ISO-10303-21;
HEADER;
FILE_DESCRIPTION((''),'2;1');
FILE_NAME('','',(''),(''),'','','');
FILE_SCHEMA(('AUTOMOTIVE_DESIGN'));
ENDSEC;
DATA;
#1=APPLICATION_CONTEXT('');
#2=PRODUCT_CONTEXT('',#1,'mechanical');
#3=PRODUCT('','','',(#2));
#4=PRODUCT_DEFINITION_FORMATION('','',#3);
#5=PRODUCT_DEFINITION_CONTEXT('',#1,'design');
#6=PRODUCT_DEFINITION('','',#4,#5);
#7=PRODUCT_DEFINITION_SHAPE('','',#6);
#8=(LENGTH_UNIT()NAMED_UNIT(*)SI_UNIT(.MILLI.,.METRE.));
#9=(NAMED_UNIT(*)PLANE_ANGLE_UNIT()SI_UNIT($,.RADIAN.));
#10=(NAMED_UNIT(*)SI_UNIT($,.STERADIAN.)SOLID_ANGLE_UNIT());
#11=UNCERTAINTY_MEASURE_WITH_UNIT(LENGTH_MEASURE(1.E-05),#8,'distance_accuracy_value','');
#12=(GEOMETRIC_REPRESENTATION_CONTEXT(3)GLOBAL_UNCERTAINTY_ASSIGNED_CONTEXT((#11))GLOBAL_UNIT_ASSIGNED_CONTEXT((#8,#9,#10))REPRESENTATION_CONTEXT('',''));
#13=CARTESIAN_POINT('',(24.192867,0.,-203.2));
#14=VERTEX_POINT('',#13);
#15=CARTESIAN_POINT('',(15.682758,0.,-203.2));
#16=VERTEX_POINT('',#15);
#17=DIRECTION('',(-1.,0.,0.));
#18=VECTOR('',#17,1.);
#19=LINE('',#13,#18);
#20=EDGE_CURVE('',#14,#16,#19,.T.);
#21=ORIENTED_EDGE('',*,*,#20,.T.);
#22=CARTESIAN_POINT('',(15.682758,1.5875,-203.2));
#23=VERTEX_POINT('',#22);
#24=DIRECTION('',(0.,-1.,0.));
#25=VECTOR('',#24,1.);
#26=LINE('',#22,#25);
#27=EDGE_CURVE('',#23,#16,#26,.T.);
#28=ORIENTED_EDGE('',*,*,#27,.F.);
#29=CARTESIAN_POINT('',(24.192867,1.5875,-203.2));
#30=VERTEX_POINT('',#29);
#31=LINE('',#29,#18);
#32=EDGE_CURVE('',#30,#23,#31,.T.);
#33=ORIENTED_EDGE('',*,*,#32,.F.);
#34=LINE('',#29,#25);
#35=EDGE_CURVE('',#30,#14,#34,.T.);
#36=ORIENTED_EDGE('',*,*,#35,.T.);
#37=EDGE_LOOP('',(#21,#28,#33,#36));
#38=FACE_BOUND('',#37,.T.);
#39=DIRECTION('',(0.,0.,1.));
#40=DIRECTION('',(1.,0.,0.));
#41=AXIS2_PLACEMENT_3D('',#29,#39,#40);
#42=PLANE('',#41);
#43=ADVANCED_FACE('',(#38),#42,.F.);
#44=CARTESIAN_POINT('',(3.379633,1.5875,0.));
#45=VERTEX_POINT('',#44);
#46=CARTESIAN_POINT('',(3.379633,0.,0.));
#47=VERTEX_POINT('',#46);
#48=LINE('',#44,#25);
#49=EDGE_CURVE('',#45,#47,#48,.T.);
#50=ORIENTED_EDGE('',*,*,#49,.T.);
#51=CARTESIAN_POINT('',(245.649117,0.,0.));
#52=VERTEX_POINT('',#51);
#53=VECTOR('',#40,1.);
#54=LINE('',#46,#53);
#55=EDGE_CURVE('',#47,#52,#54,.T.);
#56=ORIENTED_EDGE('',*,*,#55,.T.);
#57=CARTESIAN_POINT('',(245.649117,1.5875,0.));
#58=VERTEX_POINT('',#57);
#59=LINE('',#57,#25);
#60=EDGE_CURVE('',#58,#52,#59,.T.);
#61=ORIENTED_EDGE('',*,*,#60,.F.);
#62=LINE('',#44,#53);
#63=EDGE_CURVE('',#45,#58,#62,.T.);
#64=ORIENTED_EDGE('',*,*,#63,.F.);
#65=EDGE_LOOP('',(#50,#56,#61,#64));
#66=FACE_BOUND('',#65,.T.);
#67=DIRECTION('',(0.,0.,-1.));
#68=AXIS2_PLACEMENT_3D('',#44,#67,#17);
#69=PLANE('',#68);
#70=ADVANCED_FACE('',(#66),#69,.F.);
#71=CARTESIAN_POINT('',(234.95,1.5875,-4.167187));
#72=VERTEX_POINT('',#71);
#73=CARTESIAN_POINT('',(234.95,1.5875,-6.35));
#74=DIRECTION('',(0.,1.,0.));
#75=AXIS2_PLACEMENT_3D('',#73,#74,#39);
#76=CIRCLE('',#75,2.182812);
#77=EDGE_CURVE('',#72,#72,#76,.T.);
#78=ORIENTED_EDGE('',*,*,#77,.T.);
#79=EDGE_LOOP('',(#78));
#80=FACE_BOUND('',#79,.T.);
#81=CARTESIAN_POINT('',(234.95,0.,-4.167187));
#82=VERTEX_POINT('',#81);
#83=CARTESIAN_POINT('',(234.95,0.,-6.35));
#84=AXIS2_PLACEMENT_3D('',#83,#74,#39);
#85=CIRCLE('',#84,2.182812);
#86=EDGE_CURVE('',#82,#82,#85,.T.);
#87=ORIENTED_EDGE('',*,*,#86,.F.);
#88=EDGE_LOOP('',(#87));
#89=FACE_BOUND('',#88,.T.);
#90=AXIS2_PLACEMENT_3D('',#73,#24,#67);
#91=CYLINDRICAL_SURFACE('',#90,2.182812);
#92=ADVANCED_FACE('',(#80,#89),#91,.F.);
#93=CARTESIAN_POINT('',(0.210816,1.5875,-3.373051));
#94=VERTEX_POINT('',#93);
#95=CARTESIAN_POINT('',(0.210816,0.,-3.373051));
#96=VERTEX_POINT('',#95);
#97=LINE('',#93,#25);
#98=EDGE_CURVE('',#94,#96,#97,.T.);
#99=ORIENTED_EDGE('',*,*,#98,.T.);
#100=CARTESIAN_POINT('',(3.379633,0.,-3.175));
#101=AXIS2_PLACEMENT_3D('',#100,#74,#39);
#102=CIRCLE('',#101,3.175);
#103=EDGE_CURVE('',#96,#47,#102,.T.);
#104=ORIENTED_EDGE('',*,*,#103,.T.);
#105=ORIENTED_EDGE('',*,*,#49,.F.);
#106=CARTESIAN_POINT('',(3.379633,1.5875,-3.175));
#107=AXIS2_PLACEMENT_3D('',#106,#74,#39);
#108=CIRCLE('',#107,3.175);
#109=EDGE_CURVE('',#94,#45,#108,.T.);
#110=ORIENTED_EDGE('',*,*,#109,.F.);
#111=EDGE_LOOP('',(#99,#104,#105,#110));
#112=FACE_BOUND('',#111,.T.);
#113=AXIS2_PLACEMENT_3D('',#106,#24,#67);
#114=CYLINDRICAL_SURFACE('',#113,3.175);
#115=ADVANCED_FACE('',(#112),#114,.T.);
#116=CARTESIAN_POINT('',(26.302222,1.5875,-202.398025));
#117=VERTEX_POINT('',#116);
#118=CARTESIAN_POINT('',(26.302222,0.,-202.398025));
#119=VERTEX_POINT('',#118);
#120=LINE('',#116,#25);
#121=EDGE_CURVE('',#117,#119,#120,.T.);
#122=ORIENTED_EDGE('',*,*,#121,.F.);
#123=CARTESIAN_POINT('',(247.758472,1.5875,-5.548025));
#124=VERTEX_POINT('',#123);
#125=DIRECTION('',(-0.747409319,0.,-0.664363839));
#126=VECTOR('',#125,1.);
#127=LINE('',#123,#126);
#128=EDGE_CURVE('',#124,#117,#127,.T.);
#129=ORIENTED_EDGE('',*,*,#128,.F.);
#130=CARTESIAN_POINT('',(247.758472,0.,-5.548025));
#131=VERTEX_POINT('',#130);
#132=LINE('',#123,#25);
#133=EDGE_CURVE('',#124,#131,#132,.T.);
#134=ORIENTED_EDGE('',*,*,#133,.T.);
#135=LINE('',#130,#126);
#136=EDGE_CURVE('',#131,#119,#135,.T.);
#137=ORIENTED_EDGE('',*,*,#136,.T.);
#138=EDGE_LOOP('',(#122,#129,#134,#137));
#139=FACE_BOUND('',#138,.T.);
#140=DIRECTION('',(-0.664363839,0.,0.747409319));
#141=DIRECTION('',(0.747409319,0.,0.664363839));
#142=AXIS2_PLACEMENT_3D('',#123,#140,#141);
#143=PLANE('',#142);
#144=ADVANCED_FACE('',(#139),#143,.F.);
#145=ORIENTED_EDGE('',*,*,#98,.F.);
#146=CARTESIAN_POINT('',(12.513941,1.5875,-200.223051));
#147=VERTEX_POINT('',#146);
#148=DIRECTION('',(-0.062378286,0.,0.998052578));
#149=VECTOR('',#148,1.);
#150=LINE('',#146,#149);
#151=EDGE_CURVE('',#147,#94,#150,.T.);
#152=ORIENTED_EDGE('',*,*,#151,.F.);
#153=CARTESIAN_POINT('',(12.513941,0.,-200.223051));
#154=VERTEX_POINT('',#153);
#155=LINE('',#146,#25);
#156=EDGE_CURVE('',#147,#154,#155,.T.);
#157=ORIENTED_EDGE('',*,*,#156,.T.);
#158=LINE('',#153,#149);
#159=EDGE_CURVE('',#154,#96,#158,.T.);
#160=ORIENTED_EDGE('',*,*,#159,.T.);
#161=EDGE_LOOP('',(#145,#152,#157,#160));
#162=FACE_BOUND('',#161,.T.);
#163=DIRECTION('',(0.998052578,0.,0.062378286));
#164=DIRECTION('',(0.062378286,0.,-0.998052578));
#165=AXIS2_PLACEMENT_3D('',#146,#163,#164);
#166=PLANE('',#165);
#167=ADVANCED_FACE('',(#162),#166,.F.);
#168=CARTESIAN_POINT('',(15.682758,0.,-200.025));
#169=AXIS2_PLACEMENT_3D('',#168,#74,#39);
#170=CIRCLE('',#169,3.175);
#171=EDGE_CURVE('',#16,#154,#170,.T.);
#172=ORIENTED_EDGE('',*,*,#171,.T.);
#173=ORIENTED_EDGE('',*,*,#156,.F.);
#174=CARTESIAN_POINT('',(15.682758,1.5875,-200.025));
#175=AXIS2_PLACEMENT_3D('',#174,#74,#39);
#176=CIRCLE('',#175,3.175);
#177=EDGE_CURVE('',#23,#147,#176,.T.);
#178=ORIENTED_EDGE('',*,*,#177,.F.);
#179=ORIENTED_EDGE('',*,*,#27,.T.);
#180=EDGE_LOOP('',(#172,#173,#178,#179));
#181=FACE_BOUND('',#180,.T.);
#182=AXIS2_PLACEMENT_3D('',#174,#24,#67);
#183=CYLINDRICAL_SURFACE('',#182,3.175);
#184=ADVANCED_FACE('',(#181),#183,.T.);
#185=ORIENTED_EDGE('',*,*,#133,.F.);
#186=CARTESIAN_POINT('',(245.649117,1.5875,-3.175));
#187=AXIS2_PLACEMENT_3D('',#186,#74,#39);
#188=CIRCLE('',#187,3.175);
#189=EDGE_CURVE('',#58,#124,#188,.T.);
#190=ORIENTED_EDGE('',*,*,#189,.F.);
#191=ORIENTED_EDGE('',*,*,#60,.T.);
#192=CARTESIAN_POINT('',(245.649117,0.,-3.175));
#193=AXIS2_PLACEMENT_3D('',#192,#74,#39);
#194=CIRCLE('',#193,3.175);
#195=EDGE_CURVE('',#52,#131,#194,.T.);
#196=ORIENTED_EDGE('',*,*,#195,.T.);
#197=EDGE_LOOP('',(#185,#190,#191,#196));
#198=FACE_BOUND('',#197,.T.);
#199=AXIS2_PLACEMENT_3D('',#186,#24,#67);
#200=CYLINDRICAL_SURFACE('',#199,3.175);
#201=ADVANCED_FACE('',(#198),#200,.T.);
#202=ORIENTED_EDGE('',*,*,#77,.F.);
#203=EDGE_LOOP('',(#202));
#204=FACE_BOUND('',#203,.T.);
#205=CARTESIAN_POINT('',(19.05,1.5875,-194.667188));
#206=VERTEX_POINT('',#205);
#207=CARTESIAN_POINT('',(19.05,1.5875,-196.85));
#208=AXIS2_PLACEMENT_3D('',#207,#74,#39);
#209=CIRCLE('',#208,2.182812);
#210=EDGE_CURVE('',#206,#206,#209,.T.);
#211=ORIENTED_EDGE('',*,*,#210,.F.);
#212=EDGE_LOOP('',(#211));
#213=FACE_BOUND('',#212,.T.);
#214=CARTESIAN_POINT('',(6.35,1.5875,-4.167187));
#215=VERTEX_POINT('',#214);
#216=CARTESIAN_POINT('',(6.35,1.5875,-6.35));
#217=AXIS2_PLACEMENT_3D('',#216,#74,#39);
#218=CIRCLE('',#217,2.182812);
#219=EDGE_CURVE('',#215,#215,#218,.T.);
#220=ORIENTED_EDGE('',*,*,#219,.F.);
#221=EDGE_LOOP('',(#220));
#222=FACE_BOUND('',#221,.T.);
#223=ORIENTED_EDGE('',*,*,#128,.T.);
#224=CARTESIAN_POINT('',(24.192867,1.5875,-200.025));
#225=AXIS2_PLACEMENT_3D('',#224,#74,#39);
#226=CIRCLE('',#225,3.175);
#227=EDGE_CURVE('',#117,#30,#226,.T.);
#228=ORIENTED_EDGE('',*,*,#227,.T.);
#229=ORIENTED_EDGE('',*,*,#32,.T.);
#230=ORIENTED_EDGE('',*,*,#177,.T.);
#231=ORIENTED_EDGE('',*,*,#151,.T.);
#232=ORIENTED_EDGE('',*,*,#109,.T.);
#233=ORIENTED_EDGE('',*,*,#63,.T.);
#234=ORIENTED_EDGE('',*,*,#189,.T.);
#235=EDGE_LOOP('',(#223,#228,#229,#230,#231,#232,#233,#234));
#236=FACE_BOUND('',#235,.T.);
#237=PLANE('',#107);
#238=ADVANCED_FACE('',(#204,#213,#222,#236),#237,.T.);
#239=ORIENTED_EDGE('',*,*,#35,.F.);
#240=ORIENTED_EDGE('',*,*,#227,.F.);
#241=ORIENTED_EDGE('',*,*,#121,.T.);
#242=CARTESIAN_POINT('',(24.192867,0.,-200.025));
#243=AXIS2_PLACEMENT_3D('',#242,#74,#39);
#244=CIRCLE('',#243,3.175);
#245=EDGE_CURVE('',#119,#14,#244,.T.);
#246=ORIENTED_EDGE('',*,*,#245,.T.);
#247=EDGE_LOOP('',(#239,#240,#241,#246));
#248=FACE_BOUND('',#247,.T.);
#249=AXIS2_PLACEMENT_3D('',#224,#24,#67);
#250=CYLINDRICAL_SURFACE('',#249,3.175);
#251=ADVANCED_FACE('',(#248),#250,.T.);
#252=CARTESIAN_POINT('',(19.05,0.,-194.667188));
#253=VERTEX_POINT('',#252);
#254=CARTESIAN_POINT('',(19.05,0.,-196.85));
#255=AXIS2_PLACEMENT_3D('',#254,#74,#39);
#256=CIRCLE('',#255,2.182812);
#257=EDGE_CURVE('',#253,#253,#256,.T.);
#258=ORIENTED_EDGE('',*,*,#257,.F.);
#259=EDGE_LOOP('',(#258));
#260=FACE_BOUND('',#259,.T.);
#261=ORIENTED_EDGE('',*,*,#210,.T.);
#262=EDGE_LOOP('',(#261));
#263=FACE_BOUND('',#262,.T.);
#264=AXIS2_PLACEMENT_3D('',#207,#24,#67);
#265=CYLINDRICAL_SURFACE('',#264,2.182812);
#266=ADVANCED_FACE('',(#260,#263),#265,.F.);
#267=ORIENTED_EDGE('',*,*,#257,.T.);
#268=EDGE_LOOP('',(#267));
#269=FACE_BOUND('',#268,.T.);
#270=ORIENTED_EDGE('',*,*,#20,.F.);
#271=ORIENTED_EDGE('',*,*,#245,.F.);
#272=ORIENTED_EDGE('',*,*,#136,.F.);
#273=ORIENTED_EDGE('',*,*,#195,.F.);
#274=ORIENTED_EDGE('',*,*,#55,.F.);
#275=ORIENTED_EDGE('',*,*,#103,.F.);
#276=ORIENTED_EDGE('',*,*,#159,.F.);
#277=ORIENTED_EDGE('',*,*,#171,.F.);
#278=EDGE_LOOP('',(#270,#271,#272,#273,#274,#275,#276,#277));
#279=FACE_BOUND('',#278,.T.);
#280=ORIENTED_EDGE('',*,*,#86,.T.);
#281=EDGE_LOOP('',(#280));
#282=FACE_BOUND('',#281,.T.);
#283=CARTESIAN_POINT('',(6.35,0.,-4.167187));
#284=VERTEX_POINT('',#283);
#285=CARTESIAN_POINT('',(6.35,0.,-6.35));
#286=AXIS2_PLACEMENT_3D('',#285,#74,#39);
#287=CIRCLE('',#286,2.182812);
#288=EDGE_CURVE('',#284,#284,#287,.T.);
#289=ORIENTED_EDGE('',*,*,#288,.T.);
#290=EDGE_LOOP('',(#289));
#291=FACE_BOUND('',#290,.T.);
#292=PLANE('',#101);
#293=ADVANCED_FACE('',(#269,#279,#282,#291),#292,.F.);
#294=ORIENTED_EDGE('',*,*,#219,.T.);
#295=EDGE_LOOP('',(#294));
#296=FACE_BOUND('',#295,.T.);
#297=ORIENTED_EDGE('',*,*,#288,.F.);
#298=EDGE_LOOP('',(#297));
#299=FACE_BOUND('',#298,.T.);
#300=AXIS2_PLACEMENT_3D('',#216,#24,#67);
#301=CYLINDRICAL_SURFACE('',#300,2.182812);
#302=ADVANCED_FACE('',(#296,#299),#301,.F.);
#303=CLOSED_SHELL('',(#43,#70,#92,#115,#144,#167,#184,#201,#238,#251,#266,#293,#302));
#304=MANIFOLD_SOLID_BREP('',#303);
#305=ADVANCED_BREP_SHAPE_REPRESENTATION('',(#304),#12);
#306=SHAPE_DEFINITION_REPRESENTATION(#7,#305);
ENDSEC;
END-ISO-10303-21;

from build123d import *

# Parameters (mm, degrees)
SKETCH1_R           = 2.1828125
BOSS_EXTRUDE1_DEPTH = 1.5875


with BuildPart() as part:
    # Sketch1 → Boss-Extrude1 (new body)
    with BuildSketch(Plane(origin=(0, 0, 0), x_dir=(1, 0, 0), z_dir=(0, 1, 0))):
        with BuildLine():
            Line((3.379632628, 0), (245.649117152, 0))
            ThreePointArc((245.649117152, 0), (248.616858554, 2.04666673), (247.75847234, 5.548024587))
            Line((247.75847234, 5.548024587), (26.30222234, 202.398024587))
            ThreePointArc((26.30222234, 202.398024587), (25.321200422, 202.992741402), (24.192867152, 203.2))
            Line((24.192867152, 203.2), (15.682757628, 203.2))
            ThreePointArc((15.682757628, 203.2), (13.508842624, 202.339026481), (12.513940691, 200.223051059))
            Line((12.513940691, 200.223051059), (0.210815691, 3.373051059))
            ThreePointArc((0.210815691, 3.373051059), (1.065606147, 1.001084996), (3.379632628, 0))
        make_face()
        with Locations((234.95, 6.35)):
            Circle(SKETCH1_R, mode=Mode.SUBTRACT)
        with Locations((6.35, 6.35)):
            Circle(SKETCH1_R, mode=Mode.SUBTRACT)
        with Locations((19.05, 196.85)):
            Circle(SKETCH1_R, mode=Mode.SUBTRACT)
    extrude(amount=BOSS_EXTRUDE1_DEPTH)


solid = part.part
